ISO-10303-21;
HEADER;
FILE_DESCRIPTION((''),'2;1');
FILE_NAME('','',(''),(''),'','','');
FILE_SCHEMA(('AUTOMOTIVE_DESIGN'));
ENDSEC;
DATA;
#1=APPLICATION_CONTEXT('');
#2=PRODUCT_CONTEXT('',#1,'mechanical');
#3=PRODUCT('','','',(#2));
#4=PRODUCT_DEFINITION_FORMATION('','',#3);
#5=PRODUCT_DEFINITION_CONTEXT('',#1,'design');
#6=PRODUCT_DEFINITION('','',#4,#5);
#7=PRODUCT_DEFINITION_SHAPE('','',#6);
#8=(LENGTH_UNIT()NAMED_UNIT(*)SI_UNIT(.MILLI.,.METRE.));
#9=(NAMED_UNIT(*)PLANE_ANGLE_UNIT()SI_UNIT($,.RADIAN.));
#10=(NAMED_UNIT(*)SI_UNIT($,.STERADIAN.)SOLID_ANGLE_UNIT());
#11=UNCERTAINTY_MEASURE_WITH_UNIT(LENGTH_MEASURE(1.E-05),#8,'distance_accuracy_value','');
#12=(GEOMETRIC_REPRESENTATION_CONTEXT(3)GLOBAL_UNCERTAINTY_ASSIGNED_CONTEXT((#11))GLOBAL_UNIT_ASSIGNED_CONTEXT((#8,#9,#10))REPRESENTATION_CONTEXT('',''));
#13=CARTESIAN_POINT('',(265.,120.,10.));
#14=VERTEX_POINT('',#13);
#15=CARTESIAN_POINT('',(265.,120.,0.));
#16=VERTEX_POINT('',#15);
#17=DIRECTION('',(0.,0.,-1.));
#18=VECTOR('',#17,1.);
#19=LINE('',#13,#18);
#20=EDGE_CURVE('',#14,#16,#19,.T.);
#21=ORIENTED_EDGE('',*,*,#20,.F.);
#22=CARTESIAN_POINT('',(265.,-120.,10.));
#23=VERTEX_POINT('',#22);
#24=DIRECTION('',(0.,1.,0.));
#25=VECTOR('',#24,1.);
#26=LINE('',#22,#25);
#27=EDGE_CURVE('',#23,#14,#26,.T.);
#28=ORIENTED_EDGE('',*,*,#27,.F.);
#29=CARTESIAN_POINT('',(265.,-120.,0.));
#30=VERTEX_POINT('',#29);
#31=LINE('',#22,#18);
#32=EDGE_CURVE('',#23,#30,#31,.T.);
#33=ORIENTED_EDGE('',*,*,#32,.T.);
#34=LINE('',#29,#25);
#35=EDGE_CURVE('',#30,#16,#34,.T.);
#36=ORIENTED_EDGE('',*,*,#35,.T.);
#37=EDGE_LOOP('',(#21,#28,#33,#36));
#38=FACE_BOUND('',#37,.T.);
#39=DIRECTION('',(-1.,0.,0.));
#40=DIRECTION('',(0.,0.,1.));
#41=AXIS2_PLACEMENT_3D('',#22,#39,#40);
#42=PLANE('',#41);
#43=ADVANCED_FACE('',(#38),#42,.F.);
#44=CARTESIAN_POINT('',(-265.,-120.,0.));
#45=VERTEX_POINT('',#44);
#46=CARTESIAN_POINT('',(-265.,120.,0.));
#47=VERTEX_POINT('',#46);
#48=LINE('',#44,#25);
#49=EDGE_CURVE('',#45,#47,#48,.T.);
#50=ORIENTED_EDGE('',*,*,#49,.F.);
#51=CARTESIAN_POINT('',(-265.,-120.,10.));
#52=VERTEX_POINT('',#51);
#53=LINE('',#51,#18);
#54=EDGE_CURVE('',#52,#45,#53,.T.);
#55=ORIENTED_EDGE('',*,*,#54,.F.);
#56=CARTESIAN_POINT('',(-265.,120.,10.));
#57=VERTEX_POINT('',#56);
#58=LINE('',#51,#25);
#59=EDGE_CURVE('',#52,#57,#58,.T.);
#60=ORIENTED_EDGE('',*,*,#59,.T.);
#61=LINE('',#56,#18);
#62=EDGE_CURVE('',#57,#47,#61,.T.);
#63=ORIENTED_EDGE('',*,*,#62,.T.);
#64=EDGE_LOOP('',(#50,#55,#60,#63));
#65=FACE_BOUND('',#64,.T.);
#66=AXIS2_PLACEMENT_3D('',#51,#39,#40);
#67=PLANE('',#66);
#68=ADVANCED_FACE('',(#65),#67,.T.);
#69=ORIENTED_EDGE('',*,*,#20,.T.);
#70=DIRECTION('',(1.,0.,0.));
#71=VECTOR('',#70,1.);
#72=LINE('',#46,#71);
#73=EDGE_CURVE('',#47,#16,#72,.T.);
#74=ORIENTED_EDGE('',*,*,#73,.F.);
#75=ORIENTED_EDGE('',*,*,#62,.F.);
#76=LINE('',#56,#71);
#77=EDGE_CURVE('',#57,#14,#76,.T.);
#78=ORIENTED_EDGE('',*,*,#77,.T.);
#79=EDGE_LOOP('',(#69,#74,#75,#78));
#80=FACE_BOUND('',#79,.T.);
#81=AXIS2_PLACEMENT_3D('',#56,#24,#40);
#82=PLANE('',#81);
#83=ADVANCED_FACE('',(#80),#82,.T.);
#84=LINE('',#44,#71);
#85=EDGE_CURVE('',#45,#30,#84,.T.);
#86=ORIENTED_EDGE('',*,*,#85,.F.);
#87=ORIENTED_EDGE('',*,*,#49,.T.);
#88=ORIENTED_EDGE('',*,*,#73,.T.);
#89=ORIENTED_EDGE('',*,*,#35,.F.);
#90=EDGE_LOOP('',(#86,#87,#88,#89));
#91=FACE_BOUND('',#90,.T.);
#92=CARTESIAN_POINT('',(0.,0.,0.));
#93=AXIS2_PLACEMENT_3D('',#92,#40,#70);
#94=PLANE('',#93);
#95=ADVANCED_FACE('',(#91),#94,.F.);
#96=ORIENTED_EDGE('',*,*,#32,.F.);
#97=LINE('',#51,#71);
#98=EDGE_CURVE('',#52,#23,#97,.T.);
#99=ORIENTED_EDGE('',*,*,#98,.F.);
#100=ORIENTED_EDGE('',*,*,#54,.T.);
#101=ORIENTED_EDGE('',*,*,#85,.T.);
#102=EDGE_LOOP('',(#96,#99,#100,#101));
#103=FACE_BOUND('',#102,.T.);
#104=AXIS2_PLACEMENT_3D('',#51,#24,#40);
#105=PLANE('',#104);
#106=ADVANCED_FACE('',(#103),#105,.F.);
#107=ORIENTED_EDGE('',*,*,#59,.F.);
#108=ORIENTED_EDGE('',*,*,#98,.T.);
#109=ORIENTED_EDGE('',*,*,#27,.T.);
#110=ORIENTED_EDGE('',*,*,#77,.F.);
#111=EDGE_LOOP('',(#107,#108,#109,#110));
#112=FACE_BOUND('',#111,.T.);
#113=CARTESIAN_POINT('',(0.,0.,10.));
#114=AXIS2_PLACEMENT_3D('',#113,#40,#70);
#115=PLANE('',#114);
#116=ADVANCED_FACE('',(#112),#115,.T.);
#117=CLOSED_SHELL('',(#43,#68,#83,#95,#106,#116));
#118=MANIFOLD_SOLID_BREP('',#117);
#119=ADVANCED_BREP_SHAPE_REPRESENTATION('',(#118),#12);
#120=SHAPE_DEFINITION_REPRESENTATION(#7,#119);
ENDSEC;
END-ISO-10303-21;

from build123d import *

# Parameters (mm, degrees)
SKETCH1_W           = 530
SKETCH1_H           = 240
BOSS_EXTRUDE1_DEPTH = 10


with BuildPart() as part:
    # Sketch1 → Boss-Extrude1 (new body)
    with BuildSketch(Plane.XY):
        Rectangle(SKETCH1_W, SKETCH1_H)
    extrude(amount=BOSS_EXTRUDE1_DEPTH)


solid = part.part
